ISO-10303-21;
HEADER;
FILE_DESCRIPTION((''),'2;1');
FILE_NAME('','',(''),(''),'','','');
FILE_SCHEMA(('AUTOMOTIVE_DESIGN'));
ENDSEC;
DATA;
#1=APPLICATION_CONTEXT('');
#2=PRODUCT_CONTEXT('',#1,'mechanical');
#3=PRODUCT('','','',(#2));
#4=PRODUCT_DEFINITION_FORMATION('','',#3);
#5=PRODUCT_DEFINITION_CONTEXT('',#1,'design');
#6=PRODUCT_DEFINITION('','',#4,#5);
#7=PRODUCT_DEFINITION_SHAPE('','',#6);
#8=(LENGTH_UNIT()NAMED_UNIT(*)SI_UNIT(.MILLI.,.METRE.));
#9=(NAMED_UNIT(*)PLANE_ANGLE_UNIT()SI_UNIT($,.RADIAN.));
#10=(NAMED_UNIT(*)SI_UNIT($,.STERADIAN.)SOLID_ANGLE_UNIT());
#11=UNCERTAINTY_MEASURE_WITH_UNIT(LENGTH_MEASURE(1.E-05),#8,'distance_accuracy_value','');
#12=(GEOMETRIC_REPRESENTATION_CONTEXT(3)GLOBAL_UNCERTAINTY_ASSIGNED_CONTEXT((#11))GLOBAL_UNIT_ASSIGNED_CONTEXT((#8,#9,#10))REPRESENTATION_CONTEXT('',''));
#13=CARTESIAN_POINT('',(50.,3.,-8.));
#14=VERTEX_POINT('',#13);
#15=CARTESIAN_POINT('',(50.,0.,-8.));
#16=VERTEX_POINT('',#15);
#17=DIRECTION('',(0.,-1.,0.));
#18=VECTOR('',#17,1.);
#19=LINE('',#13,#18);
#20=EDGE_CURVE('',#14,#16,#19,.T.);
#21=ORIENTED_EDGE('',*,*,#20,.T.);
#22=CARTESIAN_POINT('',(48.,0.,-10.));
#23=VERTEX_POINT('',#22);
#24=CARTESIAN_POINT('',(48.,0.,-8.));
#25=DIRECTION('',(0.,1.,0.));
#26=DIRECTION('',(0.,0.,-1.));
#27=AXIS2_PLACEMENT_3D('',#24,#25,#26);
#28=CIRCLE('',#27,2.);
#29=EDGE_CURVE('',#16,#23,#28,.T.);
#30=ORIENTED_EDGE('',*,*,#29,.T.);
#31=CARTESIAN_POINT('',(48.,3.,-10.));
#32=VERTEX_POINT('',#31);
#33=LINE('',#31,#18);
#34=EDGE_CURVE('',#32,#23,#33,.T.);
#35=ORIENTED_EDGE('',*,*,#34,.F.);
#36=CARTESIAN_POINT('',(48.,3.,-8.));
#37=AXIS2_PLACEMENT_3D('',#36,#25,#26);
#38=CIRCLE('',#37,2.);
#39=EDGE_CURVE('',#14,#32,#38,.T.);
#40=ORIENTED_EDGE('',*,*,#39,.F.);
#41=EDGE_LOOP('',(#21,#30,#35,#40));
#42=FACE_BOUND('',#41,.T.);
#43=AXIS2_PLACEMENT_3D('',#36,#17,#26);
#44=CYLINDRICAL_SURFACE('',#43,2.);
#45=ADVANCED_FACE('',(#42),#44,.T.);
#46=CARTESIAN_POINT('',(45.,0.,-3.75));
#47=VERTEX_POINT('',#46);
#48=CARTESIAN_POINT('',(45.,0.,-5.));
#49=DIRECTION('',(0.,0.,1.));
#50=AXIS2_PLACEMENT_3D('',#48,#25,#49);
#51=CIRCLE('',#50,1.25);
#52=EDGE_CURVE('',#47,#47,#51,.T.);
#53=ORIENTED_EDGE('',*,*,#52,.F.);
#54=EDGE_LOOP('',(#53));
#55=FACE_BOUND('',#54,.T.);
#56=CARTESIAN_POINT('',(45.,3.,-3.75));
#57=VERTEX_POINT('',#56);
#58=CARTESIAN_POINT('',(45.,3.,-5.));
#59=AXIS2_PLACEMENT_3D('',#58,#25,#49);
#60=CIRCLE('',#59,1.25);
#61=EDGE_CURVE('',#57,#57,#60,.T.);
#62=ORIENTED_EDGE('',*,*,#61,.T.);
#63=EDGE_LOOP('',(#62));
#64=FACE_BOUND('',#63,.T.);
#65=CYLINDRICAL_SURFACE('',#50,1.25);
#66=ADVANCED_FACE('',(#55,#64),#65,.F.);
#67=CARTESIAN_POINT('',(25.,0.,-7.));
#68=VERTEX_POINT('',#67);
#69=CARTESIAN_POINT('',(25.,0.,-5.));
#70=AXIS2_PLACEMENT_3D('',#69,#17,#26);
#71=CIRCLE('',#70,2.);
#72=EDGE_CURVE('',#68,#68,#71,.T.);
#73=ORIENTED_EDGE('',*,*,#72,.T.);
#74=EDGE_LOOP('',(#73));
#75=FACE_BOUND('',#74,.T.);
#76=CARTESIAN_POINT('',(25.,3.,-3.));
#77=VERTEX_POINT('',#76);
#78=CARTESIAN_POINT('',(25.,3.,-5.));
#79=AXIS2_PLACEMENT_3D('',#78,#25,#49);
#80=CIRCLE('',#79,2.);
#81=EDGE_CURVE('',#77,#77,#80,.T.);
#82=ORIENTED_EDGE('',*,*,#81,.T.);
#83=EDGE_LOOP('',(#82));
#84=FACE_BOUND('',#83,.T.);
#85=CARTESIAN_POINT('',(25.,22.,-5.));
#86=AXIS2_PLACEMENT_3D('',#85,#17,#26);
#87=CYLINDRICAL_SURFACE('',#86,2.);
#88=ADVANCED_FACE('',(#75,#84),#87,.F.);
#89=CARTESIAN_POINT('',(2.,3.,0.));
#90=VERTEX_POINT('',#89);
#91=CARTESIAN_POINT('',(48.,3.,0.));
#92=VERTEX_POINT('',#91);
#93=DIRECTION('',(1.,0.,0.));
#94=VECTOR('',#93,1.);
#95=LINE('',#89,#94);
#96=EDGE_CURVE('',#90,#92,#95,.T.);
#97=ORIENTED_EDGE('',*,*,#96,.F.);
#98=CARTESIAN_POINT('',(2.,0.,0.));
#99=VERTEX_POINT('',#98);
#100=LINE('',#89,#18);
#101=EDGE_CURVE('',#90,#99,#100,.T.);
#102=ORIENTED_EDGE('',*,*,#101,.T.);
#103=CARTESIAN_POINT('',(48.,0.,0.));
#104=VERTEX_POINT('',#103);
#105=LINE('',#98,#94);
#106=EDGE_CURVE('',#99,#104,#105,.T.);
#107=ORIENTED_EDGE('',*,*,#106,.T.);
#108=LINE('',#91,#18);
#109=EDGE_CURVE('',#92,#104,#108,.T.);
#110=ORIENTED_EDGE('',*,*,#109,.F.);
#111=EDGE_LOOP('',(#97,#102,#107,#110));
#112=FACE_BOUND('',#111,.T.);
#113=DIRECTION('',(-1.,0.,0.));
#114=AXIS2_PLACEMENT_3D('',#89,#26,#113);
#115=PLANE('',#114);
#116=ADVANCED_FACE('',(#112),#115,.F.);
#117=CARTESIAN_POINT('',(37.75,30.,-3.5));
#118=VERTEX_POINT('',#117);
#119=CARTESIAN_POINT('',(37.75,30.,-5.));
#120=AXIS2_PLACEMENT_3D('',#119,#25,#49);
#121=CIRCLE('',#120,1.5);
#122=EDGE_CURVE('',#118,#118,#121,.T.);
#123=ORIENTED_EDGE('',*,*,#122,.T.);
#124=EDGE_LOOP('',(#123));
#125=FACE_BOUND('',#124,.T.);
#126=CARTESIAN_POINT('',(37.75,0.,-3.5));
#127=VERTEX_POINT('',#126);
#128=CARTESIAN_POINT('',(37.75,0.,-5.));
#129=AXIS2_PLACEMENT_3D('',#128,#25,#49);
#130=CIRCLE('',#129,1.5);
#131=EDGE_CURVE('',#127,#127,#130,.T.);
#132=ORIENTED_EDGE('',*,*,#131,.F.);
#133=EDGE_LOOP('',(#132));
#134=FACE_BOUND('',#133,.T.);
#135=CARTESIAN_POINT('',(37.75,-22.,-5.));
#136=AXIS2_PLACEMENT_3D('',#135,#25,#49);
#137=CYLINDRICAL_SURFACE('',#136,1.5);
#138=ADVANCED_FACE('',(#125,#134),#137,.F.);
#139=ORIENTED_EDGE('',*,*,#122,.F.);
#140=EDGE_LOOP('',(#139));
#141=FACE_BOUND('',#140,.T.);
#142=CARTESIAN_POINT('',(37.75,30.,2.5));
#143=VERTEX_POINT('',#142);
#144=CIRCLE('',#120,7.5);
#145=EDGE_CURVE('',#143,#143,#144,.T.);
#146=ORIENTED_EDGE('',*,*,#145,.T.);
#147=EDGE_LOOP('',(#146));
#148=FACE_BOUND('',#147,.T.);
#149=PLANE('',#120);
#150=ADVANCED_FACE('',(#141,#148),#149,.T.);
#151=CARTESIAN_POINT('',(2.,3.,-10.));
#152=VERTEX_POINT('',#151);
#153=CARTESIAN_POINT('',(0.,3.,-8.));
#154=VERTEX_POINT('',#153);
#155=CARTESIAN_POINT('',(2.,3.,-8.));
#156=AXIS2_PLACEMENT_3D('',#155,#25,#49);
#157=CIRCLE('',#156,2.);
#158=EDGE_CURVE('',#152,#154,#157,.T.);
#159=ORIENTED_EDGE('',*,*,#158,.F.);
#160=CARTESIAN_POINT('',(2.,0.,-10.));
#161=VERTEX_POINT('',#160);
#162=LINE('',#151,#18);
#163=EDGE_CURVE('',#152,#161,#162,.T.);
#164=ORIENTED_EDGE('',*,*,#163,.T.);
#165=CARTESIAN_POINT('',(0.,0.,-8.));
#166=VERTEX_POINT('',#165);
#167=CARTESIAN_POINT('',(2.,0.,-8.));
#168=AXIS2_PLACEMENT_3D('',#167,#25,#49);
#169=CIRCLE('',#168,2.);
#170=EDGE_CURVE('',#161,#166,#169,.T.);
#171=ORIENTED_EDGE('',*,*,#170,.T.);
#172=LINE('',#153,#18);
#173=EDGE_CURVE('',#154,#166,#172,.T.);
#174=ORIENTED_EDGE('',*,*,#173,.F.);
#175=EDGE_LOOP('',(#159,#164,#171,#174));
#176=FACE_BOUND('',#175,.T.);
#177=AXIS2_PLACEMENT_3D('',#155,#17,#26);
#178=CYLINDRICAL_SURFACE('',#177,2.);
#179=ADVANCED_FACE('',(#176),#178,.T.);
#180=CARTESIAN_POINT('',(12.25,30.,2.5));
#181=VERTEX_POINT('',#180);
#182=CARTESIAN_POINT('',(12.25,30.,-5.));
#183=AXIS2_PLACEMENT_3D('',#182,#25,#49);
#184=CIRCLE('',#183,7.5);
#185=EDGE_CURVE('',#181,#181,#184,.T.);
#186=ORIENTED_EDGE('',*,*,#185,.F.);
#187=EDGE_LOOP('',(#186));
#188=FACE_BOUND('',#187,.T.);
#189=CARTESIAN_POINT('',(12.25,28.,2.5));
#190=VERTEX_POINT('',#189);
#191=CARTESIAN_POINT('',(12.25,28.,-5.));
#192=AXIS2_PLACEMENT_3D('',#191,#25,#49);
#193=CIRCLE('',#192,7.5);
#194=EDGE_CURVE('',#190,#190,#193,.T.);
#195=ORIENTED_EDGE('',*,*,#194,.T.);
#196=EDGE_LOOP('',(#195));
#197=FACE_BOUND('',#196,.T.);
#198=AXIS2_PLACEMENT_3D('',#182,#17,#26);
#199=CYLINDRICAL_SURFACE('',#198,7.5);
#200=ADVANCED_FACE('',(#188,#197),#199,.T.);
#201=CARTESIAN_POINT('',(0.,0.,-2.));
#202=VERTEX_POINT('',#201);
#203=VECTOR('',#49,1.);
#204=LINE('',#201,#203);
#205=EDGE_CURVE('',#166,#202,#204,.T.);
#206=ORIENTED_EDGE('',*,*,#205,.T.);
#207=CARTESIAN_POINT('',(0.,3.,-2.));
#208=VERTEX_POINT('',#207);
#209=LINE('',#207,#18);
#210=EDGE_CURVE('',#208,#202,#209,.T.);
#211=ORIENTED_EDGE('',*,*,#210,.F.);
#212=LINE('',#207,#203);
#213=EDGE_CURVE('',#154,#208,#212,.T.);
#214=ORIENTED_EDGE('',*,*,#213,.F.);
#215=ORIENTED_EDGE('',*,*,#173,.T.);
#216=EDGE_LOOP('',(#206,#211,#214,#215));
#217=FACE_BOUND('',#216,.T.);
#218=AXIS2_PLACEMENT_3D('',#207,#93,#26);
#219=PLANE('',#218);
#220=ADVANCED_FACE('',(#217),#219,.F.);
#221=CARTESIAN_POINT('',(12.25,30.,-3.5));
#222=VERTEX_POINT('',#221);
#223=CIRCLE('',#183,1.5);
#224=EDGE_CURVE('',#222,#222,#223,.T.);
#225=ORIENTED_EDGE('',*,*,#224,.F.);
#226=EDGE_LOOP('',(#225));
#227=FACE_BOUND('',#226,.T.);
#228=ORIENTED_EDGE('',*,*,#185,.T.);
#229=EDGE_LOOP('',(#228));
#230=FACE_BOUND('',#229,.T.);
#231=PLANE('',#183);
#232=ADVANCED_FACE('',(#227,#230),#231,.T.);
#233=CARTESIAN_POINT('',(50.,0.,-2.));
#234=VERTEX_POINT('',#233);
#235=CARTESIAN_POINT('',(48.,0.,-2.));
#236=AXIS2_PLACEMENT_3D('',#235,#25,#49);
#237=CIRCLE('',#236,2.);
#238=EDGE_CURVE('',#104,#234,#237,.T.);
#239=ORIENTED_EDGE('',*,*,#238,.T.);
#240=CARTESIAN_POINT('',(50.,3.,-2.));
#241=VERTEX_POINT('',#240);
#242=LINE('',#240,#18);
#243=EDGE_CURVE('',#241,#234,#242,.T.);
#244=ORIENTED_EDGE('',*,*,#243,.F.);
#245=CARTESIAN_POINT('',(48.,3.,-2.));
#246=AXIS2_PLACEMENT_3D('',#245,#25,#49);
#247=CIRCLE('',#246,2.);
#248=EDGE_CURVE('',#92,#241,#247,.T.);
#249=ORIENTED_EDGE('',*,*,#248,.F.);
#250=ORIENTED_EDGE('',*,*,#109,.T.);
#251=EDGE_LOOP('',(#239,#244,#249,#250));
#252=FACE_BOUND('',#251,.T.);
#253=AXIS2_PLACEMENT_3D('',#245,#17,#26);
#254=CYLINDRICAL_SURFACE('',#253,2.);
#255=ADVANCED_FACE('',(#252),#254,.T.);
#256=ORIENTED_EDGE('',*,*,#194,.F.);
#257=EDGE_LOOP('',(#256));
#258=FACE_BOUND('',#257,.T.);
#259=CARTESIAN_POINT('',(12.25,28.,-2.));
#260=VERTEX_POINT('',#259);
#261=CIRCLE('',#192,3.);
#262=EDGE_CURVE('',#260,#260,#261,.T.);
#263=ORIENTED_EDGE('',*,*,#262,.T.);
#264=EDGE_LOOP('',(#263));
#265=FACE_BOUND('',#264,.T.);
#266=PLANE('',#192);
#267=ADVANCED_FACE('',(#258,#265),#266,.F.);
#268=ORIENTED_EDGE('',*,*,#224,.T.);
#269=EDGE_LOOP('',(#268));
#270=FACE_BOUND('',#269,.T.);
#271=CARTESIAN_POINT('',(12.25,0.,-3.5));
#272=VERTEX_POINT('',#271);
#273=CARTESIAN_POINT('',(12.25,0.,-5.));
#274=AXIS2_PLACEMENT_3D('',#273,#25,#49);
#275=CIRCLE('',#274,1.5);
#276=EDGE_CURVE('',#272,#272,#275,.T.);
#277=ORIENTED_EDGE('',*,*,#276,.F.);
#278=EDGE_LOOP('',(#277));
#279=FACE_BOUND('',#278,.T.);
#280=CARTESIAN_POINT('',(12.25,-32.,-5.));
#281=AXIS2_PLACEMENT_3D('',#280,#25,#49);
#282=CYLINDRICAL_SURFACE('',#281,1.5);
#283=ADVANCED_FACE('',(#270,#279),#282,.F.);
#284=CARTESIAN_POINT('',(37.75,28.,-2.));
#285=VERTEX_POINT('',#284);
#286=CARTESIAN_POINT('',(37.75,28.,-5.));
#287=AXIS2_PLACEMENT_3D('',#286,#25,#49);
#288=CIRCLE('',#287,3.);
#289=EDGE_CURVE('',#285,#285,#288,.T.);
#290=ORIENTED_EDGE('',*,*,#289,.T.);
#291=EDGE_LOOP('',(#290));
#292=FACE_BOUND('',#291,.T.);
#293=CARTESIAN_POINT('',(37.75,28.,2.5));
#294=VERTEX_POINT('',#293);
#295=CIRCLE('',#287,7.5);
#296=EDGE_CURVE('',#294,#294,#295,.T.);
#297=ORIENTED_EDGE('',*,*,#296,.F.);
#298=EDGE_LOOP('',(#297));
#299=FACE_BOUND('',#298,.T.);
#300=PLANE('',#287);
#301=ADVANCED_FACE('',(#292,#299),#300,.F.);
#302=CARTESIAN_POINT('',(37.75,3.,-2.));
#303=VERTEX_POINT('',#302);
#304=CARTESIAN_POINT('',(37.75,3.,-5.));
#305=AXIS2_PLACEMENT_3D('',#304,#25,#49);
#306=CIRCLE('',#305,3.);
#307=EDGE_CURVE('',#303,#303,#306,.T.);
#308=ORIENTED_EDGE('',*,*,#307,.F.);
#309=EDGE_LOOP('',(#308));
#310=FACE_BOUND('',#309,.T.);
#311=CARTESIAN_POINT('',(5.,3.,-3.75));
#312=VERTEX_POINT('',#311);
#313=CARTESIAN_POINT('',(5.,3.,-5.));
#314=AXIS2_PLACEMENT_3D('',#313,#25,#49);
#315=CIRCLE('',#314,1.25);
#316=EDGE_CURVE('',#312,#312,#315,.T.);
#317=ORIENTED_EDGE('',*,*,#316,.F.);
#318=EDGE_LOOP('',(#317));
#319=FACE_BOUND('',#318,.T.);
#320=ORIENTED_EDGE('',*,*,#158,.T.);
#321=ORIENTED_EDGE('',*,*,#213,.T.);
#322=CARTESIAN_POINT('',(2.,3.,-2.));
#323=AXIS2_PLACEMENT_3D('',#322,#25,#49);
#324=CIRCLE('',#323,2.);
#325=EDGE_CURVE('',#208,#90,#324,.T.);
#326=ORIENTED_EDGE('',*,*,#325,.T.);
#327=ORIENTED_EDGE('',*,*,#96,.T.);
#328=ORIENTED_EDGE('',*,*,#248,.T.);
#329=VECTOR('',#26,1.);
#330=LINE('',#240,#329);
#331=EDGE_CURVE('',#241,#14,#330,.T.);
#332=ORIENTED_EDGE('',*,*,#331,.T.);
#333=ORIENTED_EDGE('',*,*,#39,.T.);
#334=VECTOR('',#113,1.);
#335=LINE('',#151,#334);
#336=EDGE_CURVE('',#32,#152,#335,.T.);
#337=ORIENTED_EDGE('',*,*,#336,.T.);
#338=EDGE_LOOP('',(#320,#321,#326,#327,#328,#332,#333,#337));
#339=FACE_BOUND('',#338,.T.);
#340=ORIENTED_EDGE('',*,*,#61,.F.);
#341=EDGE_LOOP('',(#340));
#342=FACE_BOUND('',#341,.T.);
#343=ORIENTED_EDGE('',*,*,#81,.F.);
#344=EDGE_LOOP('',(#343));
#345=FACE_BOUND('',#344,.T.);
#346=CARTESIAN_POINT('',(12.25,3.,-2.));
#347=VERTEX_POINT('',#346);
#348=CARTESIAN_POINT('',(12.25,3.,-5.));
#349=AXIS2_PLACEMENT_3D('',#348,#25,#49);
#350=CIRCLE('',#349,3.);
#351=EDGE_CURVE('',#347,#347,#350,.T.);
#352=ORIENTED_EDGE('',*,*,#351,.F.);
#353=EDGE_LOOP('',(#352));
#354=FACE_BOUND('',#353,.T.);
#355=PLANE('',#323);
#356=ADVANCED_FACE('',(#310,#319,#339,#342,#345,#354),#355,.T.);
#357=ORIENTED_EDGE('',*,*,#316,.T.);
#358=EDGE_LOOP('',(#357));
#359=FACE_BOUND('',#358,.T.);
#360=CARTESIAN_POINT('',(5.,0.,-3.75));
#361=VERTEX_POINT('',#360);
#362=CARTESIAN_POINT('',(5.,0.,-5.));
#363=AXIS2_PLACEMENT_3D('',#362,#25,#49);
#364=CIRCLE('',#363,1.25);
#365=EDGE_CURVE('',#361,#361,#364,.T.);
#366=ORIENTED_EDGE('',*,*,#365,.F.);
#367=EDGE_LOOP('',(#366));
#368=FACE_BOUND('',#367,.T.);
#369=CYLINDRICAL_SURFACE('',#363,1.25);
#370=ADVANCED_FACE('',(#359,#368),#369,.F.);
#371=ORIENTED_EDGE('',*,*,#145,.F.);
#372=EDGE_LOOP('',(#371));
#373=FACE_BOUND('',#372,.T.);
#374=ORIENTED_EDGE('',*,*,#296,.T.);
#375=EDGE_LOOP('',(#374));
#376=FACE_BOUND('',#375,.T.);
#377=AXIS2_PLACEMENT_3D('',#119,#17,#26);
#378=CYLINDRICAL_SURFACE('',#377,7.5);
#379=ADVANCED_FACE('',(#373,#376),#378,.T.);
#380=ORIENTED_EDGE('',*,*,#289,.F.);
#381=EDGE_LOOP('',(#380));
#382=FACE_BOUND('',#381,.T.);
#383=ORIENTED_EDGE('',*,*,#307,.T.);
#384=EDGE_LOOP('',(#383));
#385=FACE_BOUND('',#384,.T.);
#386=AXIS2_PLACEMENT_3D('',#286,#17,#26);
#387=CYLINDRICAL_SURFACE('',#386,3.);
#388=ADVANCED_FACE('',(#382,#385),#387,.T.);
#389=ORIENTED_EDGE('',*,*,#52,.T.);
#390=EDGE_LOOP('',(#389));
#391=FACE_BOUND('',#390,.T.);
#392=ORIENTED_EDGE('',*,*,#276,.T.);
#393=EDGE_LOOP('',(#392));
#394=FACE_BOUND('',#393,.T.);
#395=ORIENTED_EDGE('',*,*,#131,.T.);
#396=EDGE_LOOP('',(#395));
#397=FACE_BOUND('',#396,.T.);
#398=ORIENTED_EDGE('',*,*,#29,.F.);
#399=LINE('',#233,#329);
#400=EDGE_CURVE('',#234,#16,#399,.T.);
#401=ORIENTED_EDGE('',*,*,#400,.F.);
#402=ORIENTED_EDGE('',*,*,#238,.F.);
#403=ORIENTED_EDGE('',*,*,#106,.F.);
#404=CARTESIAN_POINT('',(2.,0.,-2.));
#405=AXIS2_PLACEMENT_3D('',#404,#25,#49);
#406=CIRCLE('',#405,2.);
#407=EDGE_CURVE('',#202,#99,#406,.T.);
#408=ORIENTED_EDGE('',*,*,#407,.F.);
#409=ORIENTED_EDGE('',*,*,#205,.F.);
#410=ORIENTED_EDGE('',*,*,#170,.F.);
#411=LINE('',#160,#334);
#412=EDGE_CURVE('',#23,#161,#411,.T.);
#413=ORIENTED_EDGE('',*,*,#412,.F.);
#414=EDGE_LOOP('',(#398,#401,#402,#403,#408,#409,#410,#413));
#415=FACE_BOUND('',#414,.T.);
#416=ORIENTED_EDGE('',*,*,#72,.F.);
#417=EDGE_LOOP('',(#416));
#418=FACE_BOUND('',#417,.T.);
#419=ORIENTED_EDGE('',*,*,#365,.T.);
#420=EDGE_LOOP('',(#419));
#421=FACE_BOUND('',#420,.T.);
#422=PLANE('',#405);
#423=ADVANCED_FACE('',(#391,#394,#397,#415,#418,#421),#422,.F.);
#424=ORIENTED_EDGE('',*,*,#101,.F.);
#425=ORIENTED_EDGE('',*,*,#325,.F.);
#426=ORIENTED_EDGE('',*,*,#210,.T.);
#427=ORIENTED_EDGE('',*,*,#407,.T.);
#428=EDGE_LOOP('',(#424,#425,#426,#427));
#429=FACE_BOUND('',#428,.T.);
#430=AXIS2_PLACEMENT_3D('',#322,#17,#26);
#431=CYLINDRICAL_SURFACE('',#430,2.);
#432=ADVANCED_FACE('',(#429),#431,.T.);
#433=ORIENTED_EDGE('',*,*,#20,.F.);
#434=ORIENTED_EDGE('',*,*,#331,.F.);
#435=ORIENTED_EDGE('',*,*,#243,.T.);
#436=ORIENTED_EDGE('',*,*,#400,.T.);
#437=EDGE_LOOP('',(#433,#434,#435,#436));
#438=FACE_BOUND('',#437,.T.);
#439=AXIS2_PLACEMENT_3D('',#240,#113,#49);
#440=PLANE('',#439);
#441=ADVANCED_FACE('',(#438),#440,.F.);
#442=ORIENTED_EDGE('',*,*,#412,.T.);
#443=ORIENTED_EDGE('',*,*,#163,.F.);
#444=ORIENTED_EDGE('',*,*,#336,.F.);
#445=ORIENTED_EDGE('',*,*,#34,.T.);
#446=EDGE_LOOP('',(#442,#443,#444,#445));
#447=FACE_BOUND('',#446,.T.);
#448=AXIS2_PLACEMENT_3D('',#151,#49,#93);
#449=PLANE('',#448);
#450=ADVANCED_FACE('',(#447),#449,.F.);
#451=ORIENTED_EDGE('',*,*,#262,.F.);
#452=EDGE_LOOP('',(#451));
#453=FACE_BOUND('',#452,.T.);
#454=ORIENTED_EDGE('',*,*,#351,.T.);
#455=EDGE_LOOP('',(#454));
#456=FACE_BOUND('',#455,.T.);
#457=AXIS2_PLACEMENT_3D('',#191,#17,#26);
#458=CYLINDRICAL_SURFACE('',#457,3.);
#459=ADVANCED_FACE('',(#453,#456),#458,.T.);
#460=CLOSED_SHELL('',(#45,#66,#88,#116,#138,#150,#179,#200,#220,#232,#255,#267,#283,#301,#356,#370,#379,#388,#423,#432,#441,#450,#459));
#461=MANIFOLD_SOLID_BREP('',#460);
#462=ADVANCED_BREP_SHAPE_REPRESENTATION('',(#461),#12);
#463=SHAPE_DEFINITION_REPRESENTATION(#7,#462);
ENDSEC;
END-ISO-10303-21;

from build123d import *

# Parameters (mm, degrees)
BOSS_EXTRUDE8_DEPTH  = 3
CUT_EXTRUDE8_DEPTH   = 3
BOSS_EXTRUDE9_DEPTH  = 25
SKETCH17_R           = 7.5
BOSS_EXTRUDE10_DEPTH = 2
SKETCH18_R           = 1.5
CUT_EXTRUDE9_DEPTH   = 62
SKETCH19_R           = 7.5
BOSS_EXTRUDE11_DEPTH = 2
SKETCH21_R           = 1.5
CUT_EXTRUDE10_DEPTH  = 52
CUT_EXTRUDE11_DEPTH  = 22


with BuildPart() as part:
    # Sketch1 → Boss-Extrude8 (new body)
    with BuildSketch(Plane(origin=(0, 0, 0), x_dir=(1, 0, 0), z_dir=(0, 1, 0))):
        with BuildLine():
            Line((2, 0), (48, 0))
            ThreePointArc((48, 0), (49.414213562, 0.585786438), (50, 2))
            Line((50, 2), (50, 8))
            ThreePointArc((50, 8), (49.414213562, 9.414213562), (48, 10))
            Line((48, 10), (2, 10))
            ThreePointArc((2, 10), (0.585786438, 9.414213562), (0, 8))
            Line((0, 8), (0, 2))
            ThreePointArc((0, 2), (0.585786438, 0.585786438), (2, 0))
        make_face()
    extrude(amount=BOSS_EXTRUDE8_DEPTH)

    # Sketch15 → Cut-Extrude8 (cut)
    with BuildSketch(Plane(origin=(0, 3, 0), x_dir=(1, 0, 0), z_dir=(0, 1, 0))):
        with BuildLine():
            Line((3.75, 5), (5, 5))
            Line((5, 5), (6.25, 5))
            ThreePointArc((6.25, 5), (5, 6.25), (3.75, 5))
        make_face()
        with BuildLine():
            Line((6.25, 5), (5, 5))
            Line((5, 5), (3.75, 5))
            ThreePointArc((3.75, 5), (5, 3.75), (6.25, 5))
        make_face()
        with BuildLine():
            ThreePointArc((46.25, 5), (45, 6.25), (43.75, 5))
            Line((43.75, 5), (45, 5))
            Line((45, 5), (46.25, 5))
        make_face()
        with BuildLine():
            Line((45, 5), (43.75, 5))
            ThreePointArc((43.75, 5), (45, 3.75), (46.25, 5))
            Line((46.25, 5), (45, 5))
        make_face()
    extrude(amount=-CUT_EXTRUDE8_DEPTH, mode=Mode.SUBTRACT)

    # Sketch16 → Boss-Extrude9 (add)
    with BuildSketch(Plane(origin=(0, 3, 0), x_dir=(1, 0, 0), z_dir=(0, 1, 0))):
        with BuildLine():
            Line((9.25, 5), (12.25, 5))
            Line((12.25, 5), (15.25, 5))
            ThreePointArc((15.25, 5), (12.25, 8), (9.25, 5))
        make_face()
        with BuildLine():
            Line((15.25, 5), (12.25, 5))
            Line((12.25, 5), (9.25, 5))
            ThreePointArc((9.25, 5), (12.25, 2), (15.25, 5))
        make_face()
        with BuildLine():
            ThreePointArc((40.75, 5), (37.75, 8), (34.75, 5))
            Line((34.75, 5), (37.75, 5))
            Line((37.75, 5), (40.75, 5))
        make_face()
        with BuildLine():
            Line((37.75, 5), (34.75, 5))
            ThreePointArc((34.75, 5), (37.75, 2), (40.75, 5))
            Line((40.75, 5), (37.75, 5))
        make_face()
    extrude(amount=BOSS_EXTRUDE9_DEPTH)

    # Sketch17 → Boss-Extrude10 (add)
    with BuildSketch(Plane(origin=(0, 28, 0), x_dir=(1, 0, 0), z_dir=(0, 1, 0))):
        with Locations((12.25, 5)):
            Circle(SKETCH17_R)
    extrude(amount=BOSS_EXTRUDE10_DEPTH)

    # Sketch18 → Cut-Extrude9 (cut)
    with BuildSketch(Plane(origin=(0, 30, 0), x_dir=(1, 0, 0), z_dir=(0, 1, 0))):
        with Locations((12.25, 5)):
            Circle(SKETCH18_R)
    extrude(amount=-CUT_EXTRUDE9_DEPTH, mode=Mode.SUBTRACT)

    # Sketch19 → Boss-Extrude11 (add)
    with BuildSketch(Plane(origin=(0, 28, 0), x_dir=(1, 0, 0), z_dir=(0, 1, 0))):
        with Locations((37.75, 5)):
            Circle(SKETCH19_R)
    extrude(amount=BOSS_EXTRUDE11_DEPTH)

    # Sketch21 → Cut-Extrude10 (cut)
    with BuildSketch(Plane(origin=(0, 30, 0), x_dir=(1, 0, 0), z_dir=(0, 1, 0))):
        with Locations((37.75, 5)):
            Circle(SKETCH21_R)
    extrude(amount=-CUT_EXTRUDE10_DEPTH, mode=Mode.SUBTRACT)

    # Sketch23 → Cut-Extrude11 (cut)
    with BuildSketch(Plane.XZ):
        with BuildLine():
            ThreePointArc((27, -5), (25, -3), (23, -5))
            Line((23, -5), (27, -5))
        make_face()
        with BuildLine():
            Line((27, -5), (23, -5))
            ThreePointArc((23, -5), (25, -7), (27, -5))
        make_face()
    extrude(amount=-CUT_EXTRUDE11_DEPTH, mode=Mode.SUBTRACT)


solid = part.part
